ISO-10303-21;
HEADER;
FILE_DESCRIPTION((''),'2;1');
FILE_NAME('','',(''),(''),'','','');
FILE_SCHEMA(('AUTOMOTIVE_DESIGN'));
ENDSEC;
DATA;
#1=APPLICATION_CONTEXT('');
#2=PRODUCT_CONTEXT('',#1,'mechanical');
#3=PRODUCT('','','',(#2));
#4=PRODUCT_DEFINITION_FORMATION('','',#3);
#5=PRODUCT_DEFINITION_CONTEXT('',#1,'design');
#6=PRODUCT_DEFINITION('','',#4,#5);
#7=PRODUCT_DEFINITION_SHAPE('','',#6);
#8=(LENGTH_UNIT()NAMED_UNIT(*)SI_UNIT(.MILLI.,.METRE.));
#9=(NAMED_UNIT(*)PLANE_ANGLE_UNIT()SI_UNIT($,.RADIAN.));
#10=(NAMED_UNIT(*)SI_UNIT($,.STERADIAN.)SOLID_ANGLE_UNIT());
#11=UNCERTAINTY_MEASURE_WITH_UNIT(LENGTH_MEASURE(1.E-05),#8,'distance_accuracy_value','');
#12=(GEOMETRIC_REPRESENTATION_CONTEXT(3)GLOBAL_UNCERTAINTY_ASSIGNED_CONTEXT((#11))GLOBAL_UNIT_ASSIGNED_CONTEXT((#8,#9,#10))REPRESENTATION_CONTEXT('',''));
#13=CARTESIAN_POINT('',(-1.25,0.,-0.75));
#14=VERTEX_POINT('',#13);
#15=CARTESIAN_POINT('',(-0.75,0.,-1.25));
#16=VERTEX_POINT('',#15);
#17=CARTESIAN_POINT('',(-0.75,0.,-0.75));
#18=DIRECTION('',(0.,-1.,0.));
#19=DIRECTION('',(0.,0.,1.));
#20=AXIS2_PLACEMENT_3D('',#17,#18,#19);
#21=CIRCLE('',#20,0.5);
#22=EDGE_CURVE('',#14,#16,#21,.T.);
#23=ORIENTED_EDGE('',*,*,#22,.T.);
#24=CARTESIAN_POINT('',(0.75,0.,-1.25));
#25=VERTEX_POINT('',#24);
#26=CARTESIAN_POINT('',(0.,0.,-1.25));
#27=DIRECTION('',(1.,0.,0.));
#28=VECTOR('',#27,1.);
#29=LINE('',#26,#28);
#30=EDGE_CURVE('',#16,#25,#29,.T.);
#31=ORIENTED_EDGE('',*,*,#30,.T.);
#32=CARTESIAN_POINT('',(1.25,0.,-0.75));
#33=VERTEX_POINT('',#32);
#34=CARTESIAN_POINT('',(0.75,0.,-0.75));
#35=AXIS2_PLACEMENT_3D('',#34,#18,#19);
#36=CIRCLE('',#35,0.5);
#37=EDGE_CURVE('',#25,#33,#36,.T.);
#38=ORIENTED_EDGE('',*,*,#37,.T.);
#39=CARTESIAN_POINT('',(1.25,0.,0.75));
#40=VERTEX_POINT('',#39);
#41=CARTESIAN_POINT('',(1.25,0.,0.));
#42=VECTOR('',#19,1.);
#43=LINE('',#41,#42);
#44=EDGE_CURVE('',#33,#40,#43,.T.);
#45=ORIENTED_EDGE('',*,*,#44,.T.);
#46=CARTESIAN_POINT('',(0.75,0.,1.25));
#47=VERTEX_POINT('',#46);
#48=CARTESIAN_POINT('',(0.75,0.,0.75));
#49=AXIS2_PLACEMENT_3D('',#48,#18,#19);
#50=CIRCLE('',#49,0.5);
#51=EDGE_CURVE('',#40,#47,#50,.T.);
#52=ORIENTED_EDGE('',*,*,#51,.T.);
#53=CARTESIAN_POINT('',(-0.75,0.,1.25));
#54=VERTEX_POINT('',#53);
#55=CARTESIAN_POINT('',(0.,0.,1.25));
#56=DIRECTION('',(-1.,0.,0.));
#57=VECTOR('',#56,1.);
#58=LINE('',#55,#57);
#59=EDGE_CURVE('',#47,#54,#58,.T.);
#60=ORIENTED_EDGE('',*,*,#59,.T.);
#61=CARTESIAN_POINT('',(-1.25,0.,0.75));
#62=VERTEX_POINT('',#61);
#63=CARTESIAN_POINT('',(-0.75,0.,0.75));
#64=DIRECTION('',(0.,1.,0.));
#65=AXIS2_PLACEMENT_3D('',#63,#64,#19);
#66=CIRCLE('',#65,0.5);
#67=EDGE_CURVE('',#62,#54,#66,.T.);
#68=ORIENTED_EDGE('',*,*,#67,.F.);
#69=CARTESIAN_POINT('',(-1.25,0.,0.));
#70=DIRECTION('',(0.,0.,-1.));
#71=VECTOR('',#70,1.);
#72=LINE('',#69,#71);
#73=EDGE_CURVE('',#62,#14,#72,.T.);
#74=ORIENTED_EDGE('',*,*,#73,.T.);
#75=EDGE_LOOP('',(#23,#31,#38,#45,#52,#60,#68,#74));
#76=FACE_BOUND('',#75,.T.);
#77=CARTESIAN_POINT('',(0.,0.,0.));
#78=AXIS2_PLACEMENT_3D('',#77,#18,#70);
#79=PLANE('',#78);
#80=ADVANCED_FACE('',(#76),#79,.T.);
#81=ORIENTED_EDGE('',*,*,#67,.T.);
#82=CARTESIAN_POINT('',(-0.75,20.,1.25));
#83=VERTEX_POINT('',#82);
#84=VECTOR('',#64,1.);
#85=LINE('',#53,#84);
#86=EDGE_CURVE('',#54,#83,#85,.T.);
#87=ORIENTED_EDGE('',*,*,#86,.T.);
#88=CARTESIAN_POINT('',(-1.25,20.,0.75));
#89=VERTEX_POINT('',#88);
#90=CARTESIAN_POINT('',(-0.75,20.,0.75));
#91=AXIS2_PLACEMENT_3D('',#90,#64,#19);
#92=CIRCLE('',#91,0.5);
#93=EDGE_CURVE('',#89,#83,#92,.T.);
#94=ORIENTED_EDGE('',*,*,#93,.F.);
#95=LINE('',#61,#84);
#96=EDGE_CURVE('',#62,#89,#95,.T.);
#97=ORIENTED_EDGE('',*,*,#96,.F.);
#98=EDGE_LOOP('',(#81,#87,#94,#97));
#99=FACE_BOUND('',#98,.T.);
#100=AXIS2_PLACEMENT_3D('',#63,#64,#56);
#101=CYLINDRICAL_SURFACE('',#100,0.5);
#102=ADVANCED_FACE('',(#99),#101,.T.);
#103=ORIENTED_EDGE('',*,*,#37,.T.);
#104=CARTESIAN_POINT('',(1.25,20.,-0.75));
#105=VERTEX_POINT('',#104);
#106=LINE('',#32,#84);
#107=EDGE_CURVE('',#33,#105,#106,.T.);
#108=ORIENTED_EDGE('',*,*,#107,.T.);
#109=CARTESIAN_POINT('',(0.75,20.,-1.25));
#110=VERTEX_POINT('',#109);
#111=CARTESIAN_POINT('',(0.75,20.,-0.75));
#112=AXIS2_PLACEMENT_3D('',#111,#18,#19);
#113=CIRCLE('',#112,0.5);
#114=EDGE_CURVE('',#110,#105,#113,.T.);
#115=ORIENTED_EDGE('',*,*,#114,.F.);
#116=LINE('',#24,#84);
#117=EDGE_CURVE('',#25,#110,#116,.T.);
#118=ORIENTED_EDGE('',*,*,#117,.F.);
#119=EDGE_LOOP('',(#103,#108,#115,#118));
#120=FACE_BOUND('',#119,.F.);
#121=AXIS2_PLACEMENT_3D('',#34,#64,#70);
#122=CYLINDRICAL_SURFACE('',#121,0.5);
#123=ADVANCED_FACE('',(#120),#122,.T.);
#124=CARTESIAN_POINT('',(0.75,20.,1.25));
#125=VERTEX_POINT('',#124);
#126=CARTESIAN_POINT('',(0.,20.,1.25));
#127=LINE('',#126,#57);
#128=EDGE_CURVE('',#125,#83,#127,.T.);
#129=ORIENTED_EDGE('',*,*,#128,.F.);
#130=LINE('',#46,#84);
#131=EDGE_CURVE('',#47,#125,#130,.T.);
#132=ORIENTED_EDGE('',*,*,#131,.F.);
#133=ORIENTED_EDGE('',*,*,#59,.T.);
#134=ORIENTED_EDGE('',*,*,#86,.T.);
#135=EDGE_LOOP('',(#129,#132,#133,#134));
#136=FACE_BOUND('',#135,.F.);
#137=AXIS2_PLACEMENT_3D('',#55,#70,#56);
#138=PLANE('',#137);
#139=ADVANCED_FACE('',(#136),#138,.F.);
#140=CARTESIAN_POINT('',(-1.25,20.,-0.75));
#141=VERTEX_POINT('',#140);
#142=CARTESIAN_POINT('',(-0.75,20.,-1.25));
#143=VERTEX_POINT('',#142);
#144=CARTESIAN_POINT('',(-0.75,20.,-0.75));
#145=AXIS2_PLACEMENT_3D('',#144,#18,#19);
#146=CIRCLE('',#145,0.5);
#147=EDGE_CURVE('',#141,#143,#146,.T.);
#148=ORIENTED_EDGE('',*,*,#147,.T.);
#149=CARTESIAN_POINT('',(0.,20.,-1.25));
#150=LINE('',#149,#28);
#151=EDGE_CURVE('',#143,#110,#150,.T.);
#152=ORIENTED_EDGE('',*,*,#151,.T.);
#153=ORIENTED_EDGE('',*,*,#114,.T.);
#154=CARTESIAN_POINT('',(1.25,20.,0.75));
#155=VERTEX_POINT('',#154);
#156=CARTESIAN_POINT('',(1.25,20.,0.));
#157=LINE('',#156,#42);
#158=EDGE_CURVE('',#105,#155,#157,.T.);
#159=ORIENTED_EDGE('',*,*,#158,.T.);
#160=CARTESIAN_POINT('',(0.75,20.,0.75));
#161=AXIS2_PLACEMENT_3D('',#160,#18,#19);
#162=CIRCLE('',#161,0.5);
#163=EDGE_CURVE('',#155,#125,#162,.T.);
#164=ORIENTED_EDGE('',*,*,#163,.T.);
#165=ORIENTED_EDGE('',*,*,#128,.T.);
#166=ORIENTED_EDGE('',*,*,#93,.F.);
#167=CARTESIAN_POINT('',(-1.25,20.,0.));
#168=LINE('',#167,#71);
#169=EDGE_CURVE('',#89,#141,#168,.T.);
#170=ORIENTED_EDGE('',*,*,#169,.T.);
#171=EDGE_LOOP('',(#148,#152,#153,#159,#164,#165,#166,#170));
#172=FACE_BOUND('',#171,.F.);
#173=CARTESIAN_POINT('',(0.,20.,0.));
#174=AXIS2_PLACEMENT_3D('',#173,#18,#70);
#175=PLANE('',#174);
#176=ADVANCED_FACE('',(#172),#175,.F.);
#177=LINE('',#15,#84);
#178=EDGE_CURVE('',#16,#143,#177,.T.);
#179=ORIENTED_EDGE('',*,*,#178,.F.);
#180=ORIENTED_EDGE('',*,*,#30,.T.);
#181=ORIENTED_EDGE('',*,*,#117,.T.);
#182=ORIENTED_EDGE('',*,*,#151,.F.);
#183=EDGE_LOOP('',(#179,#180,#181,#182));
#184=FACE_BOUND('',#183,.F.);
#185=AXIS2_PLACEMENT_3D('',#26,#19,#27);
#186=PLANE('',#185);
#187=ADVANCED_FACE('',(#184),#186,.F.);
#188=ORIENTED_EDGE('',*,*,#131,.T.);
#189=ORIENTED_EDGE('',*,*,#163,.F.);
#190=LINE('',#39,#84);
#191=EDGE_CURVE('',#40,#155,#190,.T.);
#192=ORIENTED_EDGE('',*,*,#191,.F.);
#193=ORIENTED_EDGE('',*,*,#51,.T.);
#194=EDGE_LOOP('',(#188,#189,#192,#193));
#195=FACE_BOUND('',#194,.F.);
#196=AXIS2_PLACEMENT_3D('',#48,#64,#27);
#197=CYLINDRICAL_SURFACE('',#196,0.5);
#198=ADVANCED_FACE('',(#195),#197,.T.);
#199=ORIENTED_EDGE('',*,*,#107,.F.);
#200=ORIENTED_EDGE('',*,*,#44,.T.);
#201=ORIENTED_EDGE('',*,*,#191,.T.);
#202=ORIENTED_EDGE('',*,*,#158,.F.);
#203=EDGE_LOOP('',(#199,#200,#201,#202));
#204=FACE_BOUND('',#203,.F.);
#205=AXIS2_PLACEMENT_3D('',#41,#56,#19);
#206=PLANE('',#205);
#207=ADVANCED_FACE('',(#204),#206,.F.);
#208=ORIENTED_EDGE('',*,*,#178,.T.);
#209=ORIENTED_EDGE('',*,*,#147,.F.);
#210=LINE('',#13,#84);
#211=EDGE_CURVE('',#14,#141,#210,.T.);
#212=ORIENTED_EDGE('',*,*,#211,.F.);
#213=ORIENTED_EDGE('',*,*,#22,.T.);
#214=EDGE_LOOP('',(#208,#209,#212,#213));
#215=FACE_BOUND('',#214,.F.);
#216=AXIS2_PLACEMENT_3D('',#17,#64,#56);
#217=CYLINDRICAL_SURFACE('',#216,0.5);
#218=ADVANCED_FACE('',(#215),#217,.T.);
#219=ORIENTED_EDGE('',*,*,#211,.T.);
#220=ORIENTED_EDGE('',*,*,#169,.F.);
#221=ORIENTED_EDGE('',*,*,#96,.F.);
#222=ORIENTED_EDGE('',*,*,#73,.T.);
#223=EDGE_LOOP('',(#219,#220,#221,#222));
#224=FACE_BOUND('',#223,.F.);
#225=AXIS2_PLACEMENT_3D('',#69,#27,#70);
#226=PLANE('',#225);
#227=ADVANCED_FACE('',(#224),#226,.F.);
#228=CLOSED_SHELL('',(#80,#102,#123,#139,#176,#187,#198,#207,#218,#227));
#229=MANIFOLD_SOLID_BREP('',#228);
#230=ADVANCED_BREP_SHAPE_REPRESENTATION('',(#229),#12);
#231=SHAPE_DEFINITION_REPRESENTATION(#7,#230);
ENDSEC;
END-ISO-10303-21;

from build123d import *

# Parameters (mm, degrees)
F0_W = 2.5
F0_H = 2.5
F3_R = 0.5


with BuildPart() as f2:
    # F2: sweep along a path in F1
    with BuildLine(Plane.XY) as f2_path:
        Line((0, 0), (0, 20))
    # F0 (on Front) → F2 (sweep)
    with BuildSketch(Plane.XZ):
        Rectangle(F0_W, F0_H)
    sweep(path=f2_path.line)

    # F3
    f3_edges = [f2.edges().sort_by_distance(p)[0] for p in [
        (-1.25, 10, -1.25),
        (-1.25, 10, 1.25),
        (1.25, 10, 1.25),
        (1.25, 10, -1.25),
    ]]
    fillet(f3_edges, radius=F3_R)


solid = f2.part
